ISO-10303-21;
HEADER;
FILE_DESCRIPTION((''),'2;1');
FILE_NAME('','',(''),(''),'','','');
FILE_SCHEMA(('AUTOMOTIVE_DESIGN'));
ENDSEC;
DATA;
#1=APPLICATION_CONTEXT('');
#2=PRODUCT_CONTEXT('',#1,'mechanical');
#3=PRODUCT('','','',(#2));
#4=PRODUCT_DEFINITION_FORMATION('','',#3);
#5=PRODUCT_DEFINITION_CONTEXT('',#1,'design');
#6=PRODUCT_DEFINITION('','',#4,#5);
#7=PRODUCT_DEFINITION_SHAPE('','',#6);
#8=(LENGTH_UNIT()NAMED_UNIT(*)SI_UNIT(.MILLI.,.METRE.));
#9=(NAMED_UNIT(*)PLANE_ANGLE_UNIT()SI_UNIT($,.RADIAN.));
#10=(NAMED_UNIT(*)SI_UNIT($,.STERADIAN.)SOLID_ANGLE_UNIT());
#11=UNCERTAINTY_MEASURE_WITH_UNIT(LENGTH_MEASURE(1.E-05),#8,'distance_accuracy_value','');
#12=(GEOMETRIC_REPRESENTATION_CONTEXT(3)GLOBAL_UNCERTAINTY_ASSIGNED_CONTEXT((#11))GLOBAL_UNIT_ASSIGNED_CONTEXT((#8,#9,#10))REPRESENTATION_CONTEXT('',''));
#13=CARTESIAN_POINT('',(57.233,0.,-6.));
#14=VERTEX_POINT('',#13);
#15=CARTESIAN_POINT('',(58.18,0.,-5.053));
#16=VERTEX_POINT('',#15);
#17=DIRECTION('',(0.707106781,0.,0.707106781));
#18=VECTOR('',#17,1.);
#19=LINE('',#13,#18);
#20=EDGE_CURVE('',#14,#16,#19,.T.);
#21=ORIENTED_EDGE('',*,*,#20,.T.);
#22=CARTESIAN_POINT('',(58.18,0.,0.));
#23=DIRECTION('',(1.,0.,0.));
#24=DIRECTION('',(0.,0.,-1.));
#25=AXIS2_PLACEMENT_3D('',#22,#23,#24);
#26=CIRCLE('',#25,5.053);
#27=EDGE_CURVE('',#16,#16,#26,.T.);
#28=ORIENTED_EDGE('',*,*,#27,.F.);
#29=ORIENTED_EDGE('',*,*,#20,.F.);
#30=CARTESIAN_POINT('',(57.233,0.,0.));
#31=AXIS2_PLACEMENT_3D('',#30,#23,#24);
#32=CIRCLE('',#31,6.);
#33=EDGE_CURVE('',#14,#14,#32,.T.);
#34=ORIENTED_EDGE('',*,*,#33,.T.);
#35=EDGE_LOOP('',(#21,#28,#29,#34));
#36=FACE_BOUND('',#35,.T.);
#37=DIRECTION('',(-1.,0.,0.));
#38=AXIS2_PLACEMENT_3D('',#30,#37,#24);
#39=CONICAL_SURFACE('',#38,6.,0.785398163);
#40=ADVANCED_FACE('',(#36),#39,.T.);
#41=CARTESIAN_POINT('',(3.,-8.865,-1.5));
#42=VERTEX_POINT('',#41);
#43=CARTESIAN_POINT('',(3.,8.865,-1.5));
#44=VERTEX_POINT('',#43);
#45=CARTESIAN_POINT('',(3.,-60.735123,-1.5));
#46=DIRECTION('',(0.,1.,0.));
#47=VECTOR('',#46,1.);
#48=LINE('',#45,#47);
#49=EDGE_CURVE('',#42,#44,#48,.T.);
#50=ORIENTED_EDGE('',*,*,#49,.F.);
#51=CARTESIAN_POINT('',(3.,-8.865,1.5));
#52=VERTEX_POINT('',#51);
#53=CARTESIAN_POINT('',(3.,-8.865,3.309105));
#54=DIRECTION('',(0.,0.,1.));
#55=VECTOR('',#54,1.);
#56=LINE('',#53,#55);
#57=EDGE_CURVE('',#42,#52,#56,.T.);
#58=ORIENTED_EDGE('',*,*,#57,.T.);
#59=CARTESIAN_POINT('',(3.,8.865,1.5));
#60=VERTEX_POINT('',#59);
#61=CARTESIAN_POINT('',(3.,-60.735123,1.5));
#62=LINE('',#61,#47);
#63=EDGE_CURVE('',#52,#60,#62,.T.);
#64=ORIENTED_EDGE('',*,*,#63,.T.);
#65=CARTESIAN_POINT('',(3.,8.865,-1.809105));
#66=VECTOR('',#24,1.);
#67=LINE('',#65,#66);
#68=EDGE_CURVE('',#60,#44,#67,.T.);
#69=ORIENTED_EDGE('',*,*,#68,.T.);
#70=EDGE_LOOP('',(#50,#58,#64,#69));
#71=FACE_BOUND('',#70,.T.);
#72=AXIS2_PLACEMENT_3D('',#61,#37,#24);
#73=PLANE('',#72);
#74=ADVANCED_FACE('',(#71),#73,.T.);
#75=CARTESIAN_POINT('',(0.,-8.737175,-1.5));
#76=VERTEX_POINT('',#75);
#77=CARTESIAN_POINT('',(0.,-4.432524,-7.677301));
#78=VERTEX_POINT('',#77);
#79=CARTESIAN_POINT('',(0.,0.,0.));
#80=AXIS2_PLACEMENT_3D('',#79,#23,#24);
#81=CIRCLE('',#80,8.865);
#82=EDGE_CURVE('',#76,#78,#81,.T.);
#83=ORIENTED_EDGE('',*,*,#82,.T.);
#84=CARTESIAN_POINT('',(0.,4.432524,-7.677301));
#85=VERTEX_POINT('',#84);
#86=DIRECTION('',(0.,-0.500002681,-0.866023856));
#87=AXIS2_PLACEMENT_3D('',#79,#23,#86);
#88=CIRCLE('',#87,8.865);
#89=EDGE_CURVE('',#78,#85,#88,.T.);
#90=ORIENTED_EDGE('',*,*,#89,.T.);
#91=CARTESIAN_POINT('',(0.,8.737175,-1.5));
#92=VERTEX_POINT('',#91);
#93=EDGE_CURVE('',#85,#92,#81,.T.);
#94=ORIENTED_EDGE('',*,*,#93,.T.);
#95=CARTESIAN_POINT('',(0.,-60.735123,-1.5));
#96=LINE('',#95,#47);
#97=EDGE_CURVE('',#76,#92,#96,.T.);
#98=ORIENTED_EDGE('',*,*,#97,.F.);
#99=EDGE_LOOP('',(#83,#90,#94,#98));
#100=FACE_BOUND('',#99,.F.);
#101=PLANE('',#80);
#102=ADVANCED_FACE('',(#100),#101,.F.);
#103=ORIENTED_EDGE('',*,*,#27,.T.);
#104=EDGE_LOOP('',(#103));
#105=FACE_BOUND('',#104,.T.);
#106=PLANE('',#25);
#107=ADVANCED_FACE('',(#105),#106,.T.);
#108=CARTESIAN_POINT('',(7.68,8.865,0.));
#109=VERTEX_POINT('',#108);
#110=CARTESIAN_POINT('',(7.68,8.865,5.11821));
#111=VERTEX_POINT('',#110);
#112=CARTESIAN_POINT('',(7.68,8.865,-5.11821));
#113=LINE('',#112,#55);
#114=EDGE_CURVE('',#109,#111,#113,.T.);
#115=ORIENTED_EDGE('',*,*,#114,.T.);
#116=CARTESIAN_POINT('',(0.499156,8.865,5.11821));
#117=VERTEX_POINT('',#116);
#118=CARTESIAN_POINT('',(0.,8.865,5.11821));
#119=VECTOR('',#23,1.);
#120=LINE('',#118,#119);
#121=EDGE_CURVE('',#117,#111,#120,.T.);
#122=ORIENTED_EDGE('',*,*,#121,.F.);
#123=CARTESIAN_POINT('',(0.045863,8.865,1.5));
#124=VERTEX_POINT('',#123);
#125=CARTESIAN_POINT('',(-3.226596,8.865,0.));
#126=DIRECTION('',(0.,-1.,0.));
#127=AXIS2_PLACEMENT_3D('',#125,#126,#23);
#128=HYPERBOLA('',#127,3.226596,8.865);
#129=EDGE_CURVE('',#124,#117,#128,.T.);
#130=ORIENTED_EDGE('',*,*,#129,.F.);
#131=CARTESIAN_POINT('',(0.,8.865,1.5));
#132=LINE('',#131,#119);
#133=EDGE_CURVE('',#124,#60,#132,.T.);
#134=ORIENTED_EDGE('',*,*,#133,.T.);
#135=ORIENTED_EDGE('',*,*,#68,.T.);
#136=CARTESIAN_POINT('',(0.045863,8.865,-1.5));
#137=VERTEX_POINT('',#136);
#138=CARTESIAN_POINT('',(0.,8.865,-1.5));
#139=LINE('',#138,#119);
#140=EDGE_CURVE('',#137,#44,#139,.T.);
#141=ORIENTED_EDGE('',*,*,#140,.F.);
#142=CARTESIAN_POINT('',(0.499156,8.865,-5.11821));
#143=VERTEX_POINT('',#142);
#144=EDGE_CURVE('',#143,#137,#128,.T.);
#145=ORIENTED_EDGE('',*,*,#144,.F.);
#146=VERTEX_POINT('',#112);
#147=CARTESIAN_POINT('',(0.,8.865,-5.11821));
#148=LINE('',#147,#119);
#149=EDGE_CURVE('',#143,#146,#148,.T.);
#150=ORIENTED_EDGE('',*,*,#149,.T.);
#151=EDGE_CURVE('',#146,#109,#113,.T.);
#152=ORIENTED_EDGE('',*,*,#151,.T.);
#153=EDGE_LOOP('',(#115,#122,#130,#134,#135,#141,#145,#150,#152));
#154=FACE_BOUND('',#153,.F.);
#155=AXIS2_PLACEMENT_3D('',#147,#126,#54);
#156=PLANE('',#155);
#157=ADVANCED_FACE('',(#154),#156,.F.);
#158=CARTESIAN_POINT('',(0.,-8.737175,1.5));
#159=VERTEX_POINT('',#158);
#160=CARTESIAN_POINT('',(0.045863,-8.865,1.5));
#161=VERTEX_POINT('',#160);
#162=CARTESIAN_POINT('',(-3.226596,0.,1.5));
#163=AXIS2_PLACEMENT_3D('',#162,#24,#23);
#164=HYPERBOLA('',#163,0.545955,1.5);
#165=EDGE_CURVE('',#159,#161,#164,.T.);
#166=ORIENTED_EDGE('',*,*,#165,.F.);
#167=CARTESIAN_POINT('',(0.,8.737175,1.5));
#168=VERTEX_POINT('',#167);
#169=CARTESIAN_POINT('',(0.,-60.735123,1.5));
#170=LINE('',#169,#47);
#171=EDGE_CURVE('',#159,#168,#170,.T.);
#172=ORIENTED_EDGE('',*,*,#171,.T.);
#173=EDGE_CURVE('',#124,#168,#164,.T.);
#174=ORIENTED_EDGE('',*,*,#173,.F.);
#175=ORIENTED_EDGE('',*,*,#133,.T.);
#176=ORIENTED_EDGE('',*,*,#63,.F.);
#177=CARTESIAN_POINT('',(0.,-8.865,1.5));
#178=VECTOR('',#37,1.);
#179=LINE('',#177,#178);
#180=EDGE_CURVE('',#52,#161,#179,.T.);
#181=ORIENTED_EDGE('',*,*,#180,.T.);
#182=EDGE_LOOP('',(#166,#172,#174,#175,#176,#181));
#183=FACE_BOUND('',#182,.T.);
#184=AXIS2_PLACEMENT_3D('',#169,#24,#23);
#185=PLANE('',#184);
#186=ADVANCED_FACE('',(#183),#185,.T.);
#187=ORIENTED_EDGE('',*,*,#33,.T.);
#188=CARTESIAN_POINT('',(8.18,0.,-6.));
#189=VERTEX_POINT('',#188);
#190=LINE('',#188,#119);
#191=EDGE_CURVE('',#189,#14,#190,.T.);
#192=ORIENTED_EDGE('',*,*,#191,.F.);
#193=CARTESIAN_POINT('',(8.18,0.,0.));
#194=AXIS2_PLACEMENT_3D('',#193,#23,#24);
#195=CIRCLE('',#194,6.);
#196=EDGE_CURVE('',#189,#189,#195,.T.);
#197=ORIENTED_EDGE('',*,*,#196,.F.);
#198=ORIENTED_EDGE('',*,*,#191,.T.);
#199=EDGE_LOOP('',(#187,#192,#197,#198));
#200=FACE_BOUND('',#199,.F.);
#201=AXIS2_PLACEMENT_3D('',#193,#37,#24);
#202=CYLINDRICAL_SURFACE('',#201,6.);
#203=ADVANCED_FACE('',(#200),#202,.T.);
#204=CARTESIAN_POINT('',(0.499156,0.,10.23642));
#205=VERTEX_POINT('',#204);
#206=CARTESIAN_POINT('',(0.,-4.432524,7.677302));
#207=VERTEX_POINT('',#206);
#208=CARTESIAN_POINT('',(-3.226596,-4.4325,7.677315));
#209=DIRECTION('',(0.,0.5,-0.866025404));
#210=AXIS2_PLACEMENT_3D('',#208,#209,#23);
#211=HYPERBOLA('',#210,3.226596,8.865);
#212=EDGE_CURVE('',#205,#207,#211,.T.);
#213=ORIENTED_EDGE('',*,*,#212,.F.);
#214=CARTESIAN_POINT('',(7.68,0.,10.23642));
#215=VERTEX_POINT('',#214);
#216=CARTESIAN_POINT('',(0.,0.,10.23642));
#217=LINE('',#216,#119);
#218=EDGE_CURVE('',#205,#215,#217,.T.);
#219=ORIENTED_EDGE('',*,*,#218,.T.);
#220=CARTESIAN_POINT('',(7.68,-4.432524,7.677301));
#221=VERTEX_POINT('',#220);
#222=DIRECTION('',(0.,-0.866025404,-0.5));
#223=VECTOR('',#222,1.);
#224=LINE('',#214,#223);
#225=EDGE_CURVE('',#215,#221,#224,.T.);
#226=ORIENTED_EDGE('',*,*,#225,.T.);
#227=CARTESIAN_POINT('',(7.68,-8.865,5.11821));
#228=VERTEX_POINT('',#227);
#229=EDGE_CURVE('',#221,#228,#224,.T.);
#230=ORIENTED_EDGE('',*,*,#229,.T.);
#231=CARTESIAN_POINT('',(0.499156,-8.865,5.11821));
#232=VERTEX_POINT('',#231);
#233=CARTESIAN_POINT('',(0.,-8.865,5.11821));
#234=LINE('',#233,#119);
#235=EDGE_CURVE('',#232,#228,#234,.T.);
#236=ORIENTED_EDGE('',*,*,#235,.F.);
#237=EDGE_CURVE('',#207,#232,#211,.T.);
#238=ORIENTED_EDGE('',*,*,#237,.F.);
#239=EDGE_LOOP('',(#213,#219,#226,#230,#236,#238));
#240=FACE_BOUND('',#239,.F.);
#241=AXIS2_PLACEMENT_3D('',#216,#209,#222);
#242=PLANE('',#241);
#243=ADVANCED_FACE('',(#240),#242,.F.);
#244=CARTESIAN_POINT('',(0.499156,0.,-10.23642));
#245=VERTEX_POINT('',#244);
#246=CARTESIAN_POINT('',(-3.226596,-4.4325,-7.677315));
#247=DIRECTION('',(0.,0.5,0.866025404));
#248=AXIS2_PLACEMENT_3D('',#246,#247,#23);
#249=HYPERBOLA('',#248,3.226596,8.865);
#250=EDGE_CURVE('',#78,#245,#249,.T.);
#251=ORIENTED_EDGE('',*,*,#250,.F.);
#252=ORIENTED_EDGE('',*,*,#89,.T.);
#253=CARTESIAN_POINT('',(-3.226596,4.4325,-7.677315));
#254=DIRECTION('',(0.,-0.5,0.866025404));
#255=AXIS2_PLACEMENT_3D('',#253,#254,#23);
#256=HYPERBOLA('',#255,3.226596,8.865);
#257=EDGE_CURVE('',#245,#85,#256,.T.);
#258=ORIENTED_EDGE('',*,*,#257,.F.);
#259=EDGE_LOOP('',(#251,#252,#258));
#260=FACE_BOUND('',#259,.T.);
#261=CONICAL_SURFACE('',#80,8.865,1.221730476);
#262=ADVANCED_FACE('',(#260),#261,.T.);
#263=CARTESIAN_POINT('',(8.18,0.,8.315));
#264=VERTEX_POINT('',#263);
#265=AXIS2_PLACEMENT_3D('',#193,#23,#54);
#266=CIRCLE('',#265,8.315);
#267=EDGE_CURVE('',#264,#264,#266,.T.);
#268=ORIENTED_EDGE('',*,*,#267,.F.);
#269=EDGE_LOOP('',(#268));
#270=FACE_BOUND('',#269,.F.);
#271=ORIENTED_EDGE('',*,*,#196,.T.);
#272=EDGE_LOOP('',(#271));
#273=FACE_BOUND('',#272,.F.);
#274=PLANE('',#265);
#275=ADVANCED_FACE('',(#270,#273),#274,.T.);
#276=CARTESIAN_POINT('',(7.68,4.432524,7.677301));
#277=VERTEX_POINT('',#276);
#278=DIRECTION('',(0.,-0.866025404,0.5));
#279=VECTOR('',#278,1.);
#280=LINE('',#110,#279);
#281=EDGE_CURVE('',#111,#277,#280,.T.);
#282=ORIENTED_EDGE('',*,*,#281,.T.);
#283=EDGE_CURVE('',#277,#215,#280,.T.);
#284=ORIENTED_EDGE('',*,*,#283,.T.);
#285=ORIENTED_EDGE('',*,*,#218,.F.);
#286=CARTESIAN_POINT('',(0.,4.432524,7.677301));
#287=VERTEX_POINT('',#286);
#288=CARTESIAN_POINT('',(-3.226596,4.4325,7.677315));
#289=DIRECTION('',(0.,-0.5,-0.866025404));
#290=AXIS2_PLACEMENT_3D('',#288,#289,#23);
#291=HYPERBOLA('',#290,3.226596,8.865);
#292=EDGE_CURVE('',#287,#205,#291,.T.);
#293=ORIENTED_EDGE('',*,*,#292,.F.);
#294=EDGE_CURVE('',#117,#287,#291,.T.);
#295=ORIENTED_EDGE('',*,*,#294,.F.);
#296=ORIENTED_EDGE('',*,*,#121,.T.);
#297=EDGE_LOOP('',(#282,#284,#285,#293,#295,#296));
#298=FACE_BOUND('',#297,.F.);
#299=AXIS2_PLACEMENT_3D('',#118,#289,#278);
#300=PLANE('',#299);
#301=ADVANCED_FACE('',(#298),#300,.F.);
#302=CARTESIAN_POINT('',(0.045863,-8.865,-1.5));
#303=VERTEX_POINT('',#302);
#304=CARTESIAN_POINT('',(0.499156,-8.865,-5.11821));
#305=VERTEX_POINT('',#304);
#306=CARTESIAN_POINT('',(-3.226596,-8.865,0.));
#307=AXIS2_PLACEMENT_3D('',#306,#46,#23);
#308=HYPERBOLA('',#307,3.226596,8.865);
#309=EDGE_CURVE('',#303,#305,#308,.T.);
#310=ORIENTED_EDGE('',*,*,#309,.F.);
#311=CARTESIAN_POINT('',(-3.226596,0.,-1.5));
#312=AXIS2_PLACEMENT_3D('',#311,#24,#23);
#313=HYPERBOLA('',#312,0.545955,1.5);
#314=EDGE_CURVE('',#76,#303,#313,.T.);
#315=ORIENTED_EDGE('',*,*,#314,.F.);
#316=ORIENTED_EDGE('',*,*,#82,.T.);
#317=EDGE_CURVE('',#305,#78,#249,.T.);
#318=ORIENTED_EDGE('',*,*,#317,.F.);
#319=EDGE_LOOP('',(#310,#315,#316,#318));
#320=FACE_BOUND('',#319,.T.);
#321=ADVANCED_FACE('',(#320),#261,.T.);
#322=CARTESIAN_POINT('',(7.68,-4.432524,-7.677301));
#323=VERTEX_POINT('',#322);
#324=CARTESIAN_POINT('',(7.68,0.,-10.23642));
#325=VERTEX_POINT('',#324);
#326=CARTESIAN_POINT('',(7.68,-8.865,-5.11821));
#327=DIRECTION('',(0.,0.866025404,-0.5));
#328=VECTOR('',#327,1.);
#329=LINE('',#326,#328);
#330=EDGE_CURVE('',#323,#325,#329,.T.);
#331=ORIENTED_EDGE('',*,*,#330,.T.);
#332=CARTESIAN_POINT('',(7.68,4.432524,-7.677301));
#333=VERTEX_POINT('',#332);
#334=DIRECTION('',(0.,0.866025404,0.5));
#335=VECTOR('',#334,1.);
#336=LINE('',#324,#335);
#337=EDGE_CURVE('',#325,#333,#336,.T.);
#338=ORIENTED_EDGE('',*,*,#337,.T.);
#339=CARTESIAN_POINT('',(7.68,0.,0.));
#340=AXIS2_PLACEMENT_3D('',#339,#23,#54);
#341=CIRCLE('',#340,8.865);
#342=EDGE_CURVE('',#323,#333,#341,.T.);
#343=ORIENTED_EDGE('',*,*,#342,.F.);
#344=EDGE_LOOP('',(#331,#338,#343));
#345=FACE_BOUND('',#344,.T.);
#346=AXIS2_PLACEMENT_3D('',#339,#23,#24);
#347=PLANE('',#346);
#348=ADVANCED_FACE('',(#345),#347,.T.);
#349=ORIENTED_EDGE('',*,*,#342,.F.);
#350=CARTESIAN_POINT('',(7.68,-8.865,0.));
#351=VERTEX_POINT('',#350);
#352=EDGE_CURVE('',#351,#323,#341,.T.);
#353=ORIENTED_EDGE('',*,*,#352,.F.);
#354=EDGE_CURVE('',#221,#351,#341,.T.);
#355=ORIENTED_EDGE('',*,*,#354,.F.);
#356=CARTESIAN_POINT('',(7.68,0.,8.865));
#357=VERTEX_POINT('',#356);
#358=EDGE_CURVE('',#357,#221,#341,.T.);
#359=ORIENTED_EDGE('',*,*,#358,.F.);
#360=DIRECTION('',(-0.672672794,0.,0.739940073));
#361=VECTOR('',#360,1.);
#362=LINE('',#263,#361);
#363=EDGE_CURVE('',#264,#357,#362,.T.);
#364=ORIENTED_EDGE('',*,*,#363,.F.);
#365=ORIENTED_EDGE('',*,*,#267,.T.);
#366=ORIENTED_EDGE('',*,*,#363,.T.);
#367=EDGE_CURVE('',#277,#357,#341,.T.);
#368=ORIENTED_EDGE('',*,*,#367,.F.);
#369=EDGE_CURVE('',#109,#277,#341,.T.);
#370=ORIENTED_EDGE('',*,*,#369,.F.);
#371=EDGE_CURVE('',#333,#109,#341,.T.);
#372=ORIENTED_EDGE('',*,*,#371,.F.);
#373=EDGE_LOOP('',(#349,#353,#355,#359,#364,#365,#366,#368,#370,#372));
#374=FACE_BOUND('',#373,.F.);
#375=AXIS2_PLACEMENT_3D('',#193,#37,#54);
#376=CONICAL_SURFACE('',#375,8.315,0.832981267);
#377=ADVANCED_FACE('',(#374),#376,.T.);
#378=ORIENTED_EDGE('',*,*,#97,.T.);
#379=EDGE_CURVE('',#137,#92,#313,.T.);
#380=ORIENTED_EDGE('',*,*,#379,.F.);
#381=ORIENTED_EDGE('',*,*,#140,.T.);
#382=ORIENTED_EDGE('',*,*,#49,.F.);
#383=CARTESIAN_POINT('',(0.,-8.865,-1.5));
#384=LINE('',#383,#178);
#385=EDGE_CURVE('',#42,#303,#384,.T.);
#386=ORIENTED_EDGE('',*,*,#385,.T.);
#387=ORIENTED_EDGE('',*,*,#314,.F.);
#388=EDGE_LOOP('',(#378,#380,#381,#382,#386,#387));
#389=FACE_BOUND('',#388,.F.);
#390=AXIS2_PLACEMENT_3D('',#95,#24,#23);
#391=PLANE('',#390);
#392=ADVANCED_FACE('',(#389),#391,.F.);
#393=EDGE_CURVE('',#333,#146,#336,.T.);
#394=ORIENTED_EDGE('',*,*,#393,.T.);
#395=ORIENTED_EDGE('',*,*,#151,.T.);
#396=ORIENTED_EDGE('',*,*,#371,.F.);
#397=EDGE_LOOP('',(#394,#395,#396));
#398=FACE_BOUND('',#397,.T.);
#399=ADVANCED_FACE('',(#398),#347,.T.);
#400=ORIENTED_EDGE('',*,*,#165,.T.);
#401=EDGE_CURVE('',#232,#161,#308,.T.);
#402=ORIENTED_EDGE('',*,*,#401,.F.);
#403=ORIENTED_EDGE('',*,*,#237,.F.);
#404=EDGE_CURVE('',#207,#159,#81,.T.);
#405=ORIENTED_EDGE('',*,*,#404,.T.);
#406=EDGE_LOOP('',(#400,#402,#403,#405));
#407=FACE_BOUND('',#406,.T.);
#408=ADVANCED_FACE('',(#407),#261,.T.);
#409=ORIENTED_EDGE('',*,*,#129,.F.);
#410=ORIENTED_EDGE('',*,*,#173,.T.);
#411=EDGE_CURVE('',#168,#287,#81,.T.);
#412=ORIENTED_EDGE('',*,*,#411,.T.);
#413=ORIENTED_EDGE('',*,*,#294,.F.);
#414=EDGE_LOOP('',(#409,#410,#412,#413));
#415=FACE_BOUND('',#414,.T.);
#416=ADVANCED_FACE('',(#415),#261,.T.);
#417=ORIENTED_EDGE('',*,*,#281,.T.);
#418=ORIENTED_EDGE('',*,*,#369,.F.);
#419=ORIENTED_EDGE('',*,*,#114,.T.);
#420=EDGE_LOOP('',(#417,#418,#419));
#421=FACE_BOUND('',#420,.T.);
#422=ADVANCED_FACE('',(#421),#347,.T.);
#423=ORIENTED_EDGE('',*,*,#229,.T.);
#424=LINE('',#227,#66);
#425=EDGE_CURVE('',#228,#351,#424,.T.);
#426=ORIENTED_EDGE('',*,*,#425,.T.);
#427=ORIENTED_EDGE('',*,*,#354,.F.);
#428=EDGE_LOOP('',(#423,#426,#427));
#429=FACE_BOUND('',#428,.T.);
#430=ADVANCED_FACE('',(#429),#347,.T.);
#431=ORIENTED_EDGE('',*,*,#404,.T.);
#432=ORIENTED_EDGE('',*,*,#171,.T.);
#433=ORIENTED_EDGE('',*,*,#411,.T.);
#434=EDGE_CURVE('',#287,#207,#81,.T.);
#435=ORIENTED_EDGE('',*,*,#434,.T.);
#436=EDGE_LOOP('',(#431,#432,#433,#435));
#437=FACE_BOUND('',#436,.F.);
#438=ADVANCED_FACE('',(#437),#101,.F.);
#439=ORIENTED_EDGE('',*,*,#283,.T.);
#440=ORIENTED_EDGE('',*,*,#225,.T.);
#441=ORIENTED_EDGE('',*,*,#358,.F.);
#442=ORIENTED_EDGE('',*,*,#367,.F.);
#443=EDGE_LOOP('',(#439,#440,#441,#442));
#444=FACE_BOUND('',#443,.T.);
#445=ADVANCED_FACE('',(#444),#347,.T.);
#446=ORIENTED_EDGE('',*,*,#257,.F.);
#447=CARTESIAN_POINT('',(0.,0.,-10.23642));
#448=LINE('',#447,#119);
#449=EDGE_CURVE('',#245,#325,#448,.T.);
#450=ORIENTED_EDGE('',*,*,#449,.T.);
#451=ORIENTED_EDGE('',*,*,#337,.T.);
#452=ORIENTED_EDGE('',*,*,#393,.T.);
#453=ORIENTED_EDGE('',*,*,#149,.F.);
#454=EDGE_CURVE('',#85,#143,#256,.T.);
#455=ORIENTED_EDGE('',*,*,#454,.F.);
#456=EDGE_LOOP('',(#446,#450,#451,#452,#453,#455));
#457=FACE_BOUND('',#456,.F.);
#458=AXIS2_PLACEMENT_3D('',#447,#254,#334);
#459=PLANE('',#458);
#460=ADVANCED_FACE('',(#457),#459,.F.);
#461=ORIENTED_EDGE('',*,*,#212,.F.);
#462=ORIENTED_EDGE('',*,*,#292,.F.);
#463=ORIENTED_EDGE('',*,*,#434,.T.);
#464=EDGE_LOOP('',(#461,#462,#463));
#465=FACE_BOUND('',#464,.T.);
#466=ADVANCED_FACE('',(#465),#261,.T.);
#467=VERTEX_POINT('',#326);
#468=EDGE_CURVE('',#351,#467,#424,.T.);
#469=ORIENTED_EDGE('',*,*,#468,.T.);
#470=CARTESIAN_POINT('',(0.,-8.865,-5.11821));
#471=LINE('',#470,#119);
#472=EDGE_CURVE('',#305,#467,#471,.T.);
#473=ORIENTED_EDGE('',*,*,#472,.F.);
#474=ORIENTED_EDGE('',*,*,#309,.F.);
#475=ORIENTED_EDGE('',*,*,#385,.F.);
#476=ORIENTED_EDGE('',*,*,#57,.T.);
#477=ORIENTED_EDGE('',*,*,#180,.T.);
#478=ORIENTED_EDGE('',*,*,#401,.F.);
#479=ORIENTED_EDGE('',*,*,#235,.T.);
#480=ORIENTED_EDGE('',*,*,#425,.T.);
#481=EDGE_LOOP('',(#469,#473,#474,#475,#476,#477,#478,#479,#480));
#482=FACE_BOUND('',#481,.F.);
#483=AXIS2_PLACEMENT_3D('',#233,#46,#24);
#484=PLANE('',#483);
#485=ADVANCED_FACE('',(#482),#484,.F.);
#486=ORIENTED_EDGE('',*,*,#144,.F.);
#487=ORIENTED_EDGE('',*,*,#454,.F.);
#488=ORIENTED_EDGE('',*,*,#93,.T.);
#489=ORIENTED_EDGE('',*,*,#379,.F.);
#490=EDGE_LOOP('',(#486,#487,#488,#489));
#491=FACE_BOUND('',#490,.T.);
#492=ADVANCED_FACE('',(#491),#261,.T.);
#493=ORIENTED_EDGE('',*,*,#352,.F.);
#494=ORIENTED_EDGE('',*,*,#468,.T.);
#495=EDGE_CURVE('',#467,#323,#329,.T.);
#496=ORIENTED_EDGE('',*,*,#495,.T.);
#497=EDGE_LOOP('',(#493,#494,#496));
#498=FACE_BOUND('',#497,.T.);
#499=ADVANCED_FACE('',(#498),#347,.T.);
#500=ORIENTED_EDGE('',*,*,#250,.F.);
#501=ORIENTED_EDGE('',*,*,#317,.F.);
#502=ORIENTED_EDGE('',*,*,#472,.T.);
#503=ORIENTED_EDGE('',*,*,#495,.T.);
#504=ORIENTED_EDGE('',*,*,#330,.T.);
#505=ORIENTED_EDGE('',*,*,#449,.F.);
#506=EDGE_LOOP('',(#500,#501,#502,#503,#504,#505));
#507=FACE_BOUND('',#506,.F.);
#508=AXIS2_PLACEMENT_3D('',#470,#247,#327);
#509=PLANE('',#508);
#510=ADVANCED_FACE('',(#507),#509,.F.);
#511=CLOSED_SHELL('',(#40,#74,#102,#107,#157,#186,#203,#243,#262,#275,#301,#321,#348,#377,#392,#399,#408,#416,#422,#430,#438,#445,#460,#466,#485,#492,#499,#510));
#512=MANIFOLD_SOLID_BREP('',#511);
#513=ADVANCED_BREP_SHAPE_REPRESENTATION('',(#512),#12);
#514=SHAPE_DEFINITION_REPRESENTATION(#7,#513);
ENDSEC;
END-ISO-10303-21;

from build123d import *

# Parameters (mm, degrees)
BASEHEAD_DEPTH  = 7.68
SKETCH3_R       = 6
BASEBODY_DEPTH  = 50
CHAMFER1_SIZE   = 0.947
SLOT_DEPTH      = 60.735123043
SLOT_DEPTH_BACK = 60.735123043
SKETCH5_W       = 3
SKETCH5_H       = 3


with BuildPart() as part:
    # Sketch-BaseHead → BaseHead (new body)
    with BuildSketch(Plane(origin=(0, 0, 0), x_dir=(0, 0, -1), z_dir=(1, 0, 0))):
        Polygon((5.118210136, -8.865), (10.236420273, 0), (5.118210136, 8.865), (-5.118210136, 8.865), (-10.236420273, 0), (-5.118210136, -8.865), align=None)
    extrude(amount=BASEHEAD_DEPTH)

    # Sketch1 → Revolve1 (revolve)
    with BuildSketch(Plane.XY, mode=Mode.PRIVATE) as revolve1_sk:
        Polygon((7.68, 0), (8.18, 0), (8.18, -8.315), (7.68, -8.865), align=None)
    revolve(revolve1_sk.sketch.rotate(Axis((-4.001564945, 0, 0), (1, 0, 0)), 270), axis=Axis((-4.001564945, 0, 0), (1, 0, 0)))

    # Sketch3 → BaseBody (add)
    with BuildSketch(Plane(origin=(8.18, 0, 0), x_dir=(0, 0, -1), z_dir=(1, 0, 0))):
        Circle(SKETCH3_R)
    extrude(amount=BASEBODY_DEPTH)

    # Chamfer1
    chamfer1_edges = [part.edges().sort_by_distance(p)[0] for p in [
        (58.18, 0, 6),
    ]]
    chamfer(chamfer1_edges, length=CHAMFER1_SIZE)

    # Sketch4 → HeadChamfer (revolve, cut)
    with BuildSketch(Plane(origin=(-0.264637255, 0, 5.916896391), x_dir=(0, 0, -1), z_dir=(0, 1, 0))):
        Polygon((16.153316664, -0.264637255), (14.781896391, -0.264637255), (16.153316664, -0.763793413), align=None)
    revolve(axis=Axis((-4.001564945, 0, 0), (1, 0, 0)), mode=Mode.SUBTRACT)

    # Sketch5 → Slot (cut, two sides: drawn at the far end of the back side and taken through both)
    with BuildSketch(Plane(origin=(0, 0, 0), x_dir=(1, 0, 0), z_dir=(0, 1, 0)).offset(-SLOT_DEPTH_BACK)):
        with Locations((1.5, 0)):
            Rectangle(SKETCH5_W, SKETCH5_H)
    extrude(amount=SLOT_DEPTH + SLOT_DEPTH_BACK, mode=Mode.SUBTRACT)


solid = part.part
